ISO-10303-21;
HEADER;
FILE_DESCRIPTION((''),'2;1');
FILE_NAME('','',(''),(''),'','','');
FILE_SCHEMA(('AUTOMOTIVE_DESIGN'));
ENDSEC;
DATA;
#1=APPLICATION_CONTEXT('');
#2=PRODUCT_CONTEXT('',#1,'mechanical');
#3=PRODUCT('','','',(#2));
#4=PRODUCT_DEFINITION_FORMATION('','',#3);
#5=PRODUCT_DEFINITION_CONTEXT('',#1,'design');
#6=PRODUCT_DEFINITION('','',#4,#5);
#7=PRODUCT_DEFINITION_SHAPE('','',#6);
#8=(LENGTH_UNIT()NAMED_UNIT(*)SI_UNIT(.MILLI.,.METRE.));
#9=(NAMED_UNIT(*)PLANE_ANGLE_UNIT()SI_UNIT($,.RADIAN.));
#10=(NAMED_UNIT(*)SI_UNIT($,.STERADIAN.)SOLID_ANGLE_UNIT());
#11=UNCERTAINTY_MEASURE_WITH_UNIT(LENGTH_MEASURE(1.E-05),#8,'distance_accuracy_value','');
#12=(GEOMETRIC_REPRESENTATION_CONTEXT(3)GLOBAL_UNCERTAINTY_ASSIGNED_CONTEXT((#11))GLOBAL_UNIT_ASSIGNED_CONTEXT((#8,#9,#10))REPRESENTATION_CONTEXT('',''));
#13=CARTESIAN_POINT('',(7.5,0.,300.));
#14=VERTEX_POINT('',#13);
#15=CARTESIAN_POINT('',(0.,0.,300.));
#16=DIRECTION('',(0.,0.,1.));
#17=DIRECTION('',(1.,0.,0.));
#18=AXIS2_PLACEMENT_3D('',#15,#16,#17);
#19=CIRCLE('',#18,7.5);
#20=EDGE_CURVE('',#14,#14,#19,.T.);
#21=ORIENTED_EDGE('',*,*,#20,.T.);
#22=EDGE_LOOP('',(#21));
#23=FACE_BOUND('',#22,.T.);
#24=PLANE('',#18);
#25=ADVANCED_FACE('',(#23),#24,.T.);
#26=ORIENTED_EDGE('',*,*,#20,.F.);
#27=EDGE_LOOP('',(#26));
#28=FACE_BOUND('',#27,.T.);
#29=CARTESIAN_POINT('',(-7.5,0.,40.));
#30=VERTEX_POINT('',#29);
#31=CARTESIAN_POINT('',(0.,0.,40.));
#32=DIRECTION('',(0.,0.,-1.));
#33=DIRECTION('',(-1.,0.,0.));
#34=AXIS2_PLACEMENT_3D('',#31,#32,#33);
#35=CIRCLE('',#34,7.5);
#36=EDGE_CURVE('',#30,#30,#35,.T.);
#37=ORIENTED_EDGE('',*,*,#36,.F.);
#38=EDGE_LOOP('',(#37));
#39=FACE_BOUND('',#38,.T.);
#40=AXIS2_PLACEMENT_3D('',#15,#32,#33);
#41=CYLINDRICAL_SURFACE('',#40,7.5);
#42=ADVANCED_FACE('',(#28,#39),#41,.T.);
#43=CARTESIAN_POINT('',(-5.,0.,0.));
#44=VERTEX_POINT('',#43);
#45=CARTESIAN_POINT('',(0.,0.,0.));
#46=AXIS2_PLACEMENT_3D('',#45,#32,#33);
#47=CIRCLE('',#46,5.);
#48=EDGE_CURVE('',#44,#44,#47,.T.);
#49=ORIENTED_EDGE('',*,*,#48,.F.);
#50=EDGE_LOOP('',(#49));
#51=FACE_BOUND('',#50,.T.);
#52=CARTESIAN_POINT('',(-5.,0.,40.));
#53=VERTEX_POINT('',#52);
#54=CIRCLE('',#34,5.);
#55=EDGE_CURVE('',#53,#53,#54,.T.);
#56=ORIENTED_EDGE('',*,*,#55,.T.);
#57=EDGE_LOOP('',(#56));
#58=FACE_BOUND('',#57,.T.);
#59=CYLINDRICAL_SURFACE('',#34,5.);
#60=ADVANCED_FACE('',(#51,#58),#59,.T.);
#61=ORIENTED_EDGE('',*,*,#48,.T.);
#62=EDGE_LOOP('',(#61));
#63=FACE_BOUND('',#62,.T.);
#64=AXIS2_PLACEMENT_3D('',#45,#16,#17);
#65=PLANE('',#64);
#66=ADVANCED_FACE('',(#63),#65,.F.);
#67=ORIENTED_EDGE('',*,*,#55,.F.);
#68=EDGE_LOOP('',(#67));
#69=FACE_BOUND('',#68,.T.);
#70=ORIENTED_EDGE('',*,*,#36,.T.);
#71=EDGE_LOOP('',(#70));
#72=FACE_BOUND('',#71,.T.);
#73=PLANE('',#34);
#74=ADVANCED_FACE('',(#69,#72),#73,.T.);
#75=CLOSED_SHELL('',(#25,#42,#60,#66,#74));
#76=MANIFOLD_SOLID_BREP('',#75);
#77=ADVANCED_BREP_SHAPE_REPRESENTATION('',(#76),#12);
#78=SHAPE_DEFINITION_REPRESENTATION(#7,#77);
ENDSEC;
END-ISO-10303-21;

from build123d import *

# Parameters (mm, degrees)
SKETCH_1_R          = 7.5
EXTRUDE_1_DEPTH     = 300
SKETCH_2_OUTSIDE_W  = 77.15
SKETCH_2_OUTSIDE_H  = 77.15
SKETCH_2_OUTSIDE_R  = 5
CUT_EXTRUDE_1_DEPTH = 40


with BuildPart() as part:
    # 草图1 → 凸台-拉伸1 (new body)
    with BuildSketch(Plane.XY):
        Circle(SKETCH_1_R)
    extrude(amount=EXTRUDE_1_DEPTH)

    # 草图2 outside → 切除-拉伸1 (cut)
    with BuildSketch(Plane(origin=(0, 0, 0), x_dir=(-1, 0, 0), z_dir=(0, 0, -1))):
        Rectangle(SKETCH_2_OUTSIDE_W, SKETCH_2_OUTSIDE_H)
        Circle(SKETCH_2_OUTSIDE_R, mode=Mode.SUBTRACT)
    extrude(amount=-CUT_EXTRUDE_1_DEPTH, mode=Mode.SUBTRACT)


solid = part.part
